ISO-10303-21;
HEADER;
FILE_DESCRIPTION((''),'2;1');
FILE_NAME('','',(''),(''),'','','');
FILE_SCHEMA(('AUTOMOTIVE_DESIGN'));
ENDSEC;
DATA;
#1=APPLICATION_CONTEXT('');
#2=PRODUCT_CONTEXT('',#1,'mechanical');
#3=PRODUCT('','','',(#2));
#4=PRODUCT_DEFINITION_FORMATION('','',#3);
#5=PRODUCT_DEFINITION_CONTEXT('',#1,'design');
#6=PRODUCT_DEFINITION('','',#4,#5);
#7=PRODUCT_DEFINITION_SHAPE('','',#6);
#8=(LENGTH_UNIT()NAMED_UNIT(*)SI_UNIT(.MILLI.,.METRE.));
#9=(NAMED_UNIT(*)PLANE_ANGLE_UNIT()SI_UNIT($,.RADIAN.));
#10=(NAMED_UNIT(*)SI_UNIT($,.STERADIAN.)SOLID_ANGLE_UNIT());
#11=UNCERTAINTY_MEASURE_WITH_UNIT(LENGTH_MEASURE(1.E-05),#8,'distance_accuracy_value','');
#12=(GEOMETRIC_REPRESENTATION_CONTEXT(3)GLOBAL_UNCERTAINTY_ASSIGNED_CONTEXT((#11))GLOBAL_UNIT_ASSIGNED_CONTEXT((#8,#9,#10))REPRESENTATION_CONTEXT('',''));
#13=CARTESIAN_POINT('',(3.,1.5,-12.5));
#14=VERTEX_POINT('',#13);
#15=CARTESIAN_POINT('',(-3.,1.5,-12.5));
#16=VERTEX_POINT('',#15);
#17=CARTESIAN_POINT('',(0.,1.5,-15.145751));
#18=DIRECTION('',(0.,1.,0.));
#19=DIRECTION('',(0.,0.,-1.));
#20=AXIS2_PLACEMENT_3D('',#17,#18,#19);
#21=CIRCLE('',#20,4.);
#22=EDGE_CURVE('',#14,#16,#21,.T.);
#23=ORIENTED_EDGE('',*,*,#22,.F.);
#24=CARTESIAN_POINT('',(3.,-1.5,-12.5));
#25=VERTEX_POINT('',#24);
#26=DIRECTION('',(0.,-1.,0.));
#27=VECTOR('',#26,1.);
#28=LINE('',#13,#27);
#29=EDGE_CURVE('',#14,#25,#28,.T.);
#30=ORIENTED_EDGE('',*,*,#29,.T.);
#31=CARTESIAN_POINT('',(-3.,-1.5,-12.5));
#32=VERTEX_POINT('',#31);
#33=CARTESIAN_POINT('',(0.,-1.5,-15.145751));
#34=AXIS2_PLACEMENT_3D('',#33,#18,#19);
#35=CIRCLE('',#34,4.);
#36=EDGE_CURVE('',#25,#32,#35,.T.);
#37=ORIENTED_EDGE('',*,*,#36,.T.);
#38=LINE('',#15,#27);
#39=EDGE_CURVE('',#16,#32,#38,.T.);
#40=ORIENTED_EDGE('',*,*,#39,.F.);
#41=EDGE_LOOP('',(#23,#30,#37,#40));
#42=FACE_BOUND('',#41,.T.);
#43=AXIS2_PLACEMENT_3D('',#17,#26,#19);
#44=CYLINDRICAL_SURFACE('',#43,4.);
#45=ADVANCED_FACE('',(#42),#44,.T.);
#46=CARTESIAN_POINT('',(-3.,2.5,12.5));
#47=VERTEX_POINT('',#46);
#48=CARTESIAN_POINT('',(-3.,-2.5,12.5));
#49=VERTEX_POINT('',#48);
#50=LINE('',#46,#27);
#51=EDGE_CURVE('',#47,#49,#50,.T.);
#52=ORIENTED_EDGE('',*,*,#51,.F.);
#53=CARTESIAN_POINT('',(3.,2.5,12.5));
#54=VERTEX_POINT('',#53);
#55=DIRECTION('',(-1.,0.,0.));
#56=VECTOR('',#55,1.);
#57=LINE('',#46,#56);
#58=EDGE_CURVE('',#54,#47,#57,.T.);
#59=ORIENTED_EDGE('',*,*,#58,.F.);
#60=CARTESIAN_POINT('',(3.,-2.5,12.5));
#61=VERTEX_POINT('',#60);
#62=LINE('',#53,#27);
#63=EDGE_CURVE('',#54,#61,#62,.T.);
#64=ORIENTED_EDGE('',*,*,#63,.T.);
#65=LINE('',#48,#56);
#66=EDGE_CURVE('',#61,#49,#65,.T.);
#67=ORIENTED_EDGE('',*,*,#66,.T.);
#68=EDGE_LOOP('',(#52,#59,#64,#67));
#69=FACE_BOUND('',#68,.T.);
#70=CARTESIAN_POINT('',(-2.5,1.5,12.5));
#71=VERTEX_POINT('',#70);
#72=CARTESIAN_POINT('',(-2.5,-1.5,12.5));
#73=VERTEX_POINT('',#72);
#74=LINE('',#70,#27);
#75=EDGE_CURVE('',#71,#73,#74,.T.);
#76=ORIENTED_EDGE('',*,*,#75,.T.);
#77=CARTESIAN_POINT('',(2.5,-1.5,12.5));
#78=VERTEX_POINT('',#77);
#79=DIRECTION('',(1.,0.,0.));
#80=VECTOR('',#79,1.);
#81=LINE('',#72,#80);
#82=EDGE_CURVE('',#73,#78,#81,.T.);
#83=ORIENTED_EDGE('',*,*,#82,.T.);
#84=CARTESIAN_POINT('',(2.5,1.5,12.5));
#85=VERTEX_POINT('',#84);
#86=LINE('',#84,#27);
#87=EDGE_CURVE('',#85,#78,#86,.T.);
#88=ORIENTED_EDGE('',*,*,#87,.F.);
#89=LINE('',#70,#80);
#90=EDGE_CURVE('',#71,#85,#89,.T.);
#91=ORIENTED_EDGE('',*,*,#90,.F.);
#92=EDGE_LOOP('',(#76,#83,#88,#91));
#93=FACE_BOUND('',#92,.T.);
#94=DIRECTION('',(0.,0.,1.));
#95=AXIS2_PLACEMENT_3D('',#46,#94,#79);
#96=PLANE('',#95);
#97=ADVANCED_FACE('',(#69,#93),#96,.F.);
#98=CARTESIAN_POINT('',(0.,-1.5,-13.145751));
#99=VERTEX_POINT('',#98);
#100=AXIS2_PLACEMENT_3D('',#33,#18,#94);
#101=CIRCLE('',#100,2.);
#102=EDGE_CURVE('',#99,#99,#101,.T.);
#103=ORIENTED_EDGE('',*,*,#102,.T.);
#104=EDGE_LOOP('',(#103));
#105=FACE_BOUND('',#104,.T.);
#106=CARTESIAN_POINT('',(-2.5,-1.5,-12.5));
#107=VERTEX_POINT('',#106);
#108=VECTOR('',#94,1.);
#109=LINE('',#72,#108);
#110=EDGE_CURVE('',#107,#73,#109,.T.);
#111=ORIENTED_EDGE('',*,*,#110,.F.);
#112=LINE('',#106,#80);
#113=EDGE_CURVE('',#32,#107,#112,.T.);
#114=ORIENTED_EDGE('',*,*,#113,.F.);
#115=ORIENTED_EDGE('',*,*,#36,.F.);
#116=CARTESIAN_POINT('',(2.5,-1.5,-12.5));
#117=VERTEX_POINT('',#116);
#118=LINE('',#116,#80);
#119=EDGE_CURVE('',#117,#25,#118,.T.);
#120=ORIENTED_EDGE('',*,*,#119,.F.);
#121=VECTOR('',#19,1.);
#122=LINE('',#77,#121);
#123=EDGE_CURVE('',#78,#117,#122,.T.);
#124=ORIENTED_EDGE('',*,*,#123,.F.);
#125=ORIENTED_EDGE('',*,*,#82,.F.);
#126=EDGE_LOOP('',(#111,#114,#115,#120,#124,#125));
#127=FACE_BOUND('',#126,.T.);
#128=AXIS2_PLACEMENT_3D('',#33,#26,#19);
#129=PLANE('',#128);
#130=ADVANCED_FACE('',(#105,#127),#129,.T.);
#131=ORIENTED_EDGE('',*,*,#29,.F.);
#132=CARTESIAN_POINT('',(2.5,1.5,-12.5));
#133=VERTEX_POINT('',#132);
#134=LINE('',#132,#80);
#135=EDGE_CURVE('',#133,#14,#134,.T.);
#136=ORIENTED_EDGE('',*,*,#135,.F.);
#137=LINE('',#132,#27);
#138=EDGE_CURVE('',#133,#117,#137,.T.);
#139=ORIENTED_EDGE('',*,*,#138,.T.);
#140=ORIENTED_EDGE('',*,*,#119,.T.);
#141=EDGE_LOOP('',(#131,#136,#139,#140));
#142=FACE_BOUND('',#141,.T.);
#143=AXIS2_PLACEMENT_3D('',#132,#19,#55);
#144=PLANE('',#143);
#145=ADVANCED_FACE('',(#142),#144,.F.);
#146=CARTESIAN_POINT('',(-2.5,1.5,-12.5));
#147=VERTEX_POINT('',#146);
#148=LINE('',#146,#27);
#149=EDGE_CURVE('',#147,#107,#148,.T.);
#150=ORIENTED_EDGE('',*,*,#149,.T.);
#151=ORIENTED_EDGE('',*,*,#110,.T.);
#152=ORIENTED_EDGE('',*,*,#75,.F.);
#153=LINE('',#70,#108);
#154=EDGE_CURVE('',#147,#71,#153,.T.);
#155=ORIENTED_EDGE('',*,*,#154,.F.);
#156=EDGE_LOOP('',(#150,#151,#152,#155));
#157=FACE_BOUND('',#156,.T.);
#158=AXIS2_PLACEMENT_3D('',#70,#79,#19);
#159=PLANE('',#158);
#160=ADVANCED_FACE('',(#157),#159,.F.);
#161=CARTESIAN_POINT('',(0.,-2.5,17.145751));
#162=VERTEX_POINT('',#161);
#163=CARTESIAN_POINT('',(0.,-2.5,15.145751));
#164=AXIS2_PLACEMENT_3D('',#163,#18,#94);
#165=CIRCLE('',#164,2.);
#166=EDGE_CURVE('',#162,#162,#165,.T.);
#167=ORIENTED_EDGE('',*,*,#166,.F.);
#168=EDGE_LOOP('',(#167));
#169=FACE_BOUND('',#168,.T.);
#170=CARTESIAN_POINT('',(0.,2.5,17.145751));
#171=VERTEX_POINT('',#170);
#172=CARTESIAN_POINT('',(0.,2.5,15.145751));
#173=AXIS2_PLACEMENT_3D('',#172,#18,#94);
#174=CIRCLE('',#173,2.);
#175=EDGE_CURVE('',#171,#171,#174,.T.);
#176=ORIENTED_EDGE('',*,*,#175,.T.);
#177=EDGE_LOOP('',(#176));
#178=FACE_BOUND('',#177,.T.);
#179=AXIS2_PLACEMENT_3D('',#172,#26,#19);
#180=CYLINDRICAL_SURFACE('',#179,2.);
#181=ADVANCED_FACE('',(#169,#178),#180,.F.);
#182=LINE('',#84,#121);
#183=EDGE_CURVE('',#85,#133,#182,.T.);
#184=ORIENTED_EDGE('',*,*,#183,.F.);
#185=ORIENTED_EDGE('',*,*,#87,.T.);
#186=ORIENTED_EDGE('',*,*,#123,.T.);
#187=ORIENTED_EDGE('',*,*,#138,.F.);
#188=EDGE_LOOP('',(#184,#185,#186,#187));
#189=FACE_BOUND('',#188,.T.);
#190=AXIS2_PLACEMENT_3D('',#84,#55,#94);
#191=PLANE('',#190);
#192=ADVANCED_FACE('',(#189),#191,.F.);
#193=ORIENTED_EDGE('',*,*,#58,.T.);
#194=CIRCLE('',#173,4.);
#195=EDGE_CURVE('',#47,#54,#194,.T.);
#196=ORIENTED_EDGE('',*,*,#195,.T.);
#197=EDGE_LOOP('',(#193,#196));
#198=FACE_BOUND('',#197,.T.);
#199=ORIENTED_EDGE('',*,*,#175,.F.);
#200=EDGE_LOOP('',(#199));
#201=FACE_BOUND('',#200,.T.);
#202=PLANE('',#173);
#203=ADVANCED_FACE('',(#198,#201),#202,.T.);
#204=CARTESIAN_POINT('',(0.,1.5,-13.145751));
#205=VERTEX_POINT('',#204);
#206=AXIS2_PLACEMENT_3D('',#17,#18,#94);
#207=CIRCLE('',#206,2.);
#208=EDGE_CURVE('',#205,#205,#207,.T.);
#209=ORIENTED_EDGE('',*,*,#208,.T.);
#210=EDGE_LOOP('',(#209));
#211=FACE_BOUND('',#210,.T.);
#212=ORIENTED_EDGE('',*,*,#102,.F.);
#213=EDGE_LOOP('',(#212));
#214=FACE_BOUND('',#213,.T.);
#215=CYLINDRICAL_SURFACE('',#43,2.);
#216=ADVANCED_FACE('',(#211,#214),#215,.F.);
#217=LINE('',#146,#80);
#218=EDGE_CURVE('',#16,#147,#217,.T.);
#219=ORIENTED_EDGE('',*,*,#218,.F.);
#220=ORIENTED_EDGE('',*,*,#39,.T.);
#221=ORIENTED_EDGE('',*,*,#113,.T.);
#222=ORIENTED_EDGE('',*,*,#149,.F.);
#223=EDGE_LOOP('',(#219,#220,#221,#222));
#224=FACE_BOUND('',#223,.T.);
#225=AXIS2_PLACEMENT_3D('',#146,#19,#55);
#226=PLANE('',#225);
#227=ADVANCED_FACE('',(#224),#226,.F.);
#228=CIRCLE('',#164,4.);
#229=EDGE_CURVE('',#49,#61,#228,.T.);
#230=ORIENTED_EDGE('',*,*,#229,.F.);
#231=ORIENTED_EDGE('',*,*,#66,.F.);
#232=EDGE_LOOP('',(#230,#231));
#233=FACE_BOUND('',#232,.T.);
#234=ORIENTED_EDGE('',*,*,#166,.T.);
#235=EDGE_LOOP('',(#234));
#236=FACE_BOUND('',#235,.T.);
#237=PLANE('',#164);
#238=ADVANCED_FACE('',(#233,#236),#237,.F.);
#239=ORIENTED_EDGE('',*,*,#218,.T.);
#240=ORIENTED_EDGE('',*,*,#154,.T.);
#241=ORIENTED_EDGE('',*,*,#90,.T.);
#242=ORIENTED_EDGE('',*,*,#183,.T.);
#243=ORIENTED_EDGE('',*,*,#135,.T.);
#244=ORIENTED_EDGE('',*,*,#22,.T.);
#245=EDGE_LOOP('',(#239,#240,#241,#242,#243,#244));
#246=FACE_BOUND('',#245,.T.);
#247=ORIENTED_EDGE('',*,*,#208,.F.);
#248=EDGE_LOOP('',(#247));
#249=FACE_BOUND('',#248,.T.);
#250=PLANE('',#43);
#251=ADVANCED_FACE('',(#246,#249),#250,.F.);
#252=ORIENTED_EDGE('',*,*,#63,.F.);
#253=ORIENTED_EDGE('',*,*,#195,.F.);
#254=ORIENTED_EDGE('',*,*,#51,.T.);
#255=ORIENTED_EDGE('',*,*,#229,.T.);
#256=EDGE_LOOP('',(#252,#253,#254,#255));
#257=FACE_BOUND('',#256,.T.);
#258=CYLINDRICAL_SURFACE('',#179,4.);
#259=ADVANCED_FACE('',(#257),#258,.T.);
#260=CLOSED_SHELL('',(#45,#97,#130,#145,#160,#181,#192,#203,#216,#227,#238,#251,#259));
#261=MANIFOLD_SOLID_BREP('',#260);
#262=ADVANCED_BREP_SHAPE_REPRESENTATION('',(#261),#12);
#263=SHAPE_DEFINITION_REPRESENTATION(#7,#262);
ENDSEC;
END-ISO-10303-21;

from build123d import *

# Parameters (mm, degrees)
SKETCH1_R           = 2
BOSS_EXTRUDE2_DEPTH = 1.5
SKETCH2_R           = 2
BOSS_EXTRUDE3_DEPTH = 2.5


with BuildPart() as part:
    # Sketch1 → Boss-Extrude2 (new body, symmetric)
    with BuildSketch(Plane(origin=(0, 0, 0), x_dir=(1, 0, 0), z_dir=(0, 1, 0))):
        with BuildLine():
            Line((2.5, 12.499999806), (3, 12.499999806))
            ThreePointArc((3, 12.499999806), (0, 19.145751117), (-3, 12.499999806))
            Line((-3, 12.499999806), (-2.5, 12.499999806))
            Line((-2.5, 12.499999806), (-2.5, -12.499999806))
            Line((-2.5, -12.499999806), (2.5, -12.499999806))
            Line((2.5, -12.499999806), (2.5, 12.499999806))
        make_face()
        with Locations((0, 15.145751117)):
            Circle(SKETCH1_R, mode=Mode.SUBTRACT)
    extrude(amount=BOSS_EXTRUDE2_DEPTH, both=True)

    # Sketch2 → Boss-Extrude3 (add, symmetric)
    with BuildSketch(Plane(origin=(0, 0, 0), x_dir=(1, 0, 0), z_dir=(0, 1, 0))):
        with BuildLine():
            Line((-3, -12.499999806), (3, -12.499999806))
            ThreePointArc((3, -12.499999806), (0, -19.145751117), (-3, -12.499999806))
        make_face()
        with Locations((0, -15.145751117)):
            Circle(SKETCH2_R, mode=Mode.SUBTRACT)
    extrude(amount=BOSS_EXTRUDE3_DEPTH, both=True)


solid = part.part
